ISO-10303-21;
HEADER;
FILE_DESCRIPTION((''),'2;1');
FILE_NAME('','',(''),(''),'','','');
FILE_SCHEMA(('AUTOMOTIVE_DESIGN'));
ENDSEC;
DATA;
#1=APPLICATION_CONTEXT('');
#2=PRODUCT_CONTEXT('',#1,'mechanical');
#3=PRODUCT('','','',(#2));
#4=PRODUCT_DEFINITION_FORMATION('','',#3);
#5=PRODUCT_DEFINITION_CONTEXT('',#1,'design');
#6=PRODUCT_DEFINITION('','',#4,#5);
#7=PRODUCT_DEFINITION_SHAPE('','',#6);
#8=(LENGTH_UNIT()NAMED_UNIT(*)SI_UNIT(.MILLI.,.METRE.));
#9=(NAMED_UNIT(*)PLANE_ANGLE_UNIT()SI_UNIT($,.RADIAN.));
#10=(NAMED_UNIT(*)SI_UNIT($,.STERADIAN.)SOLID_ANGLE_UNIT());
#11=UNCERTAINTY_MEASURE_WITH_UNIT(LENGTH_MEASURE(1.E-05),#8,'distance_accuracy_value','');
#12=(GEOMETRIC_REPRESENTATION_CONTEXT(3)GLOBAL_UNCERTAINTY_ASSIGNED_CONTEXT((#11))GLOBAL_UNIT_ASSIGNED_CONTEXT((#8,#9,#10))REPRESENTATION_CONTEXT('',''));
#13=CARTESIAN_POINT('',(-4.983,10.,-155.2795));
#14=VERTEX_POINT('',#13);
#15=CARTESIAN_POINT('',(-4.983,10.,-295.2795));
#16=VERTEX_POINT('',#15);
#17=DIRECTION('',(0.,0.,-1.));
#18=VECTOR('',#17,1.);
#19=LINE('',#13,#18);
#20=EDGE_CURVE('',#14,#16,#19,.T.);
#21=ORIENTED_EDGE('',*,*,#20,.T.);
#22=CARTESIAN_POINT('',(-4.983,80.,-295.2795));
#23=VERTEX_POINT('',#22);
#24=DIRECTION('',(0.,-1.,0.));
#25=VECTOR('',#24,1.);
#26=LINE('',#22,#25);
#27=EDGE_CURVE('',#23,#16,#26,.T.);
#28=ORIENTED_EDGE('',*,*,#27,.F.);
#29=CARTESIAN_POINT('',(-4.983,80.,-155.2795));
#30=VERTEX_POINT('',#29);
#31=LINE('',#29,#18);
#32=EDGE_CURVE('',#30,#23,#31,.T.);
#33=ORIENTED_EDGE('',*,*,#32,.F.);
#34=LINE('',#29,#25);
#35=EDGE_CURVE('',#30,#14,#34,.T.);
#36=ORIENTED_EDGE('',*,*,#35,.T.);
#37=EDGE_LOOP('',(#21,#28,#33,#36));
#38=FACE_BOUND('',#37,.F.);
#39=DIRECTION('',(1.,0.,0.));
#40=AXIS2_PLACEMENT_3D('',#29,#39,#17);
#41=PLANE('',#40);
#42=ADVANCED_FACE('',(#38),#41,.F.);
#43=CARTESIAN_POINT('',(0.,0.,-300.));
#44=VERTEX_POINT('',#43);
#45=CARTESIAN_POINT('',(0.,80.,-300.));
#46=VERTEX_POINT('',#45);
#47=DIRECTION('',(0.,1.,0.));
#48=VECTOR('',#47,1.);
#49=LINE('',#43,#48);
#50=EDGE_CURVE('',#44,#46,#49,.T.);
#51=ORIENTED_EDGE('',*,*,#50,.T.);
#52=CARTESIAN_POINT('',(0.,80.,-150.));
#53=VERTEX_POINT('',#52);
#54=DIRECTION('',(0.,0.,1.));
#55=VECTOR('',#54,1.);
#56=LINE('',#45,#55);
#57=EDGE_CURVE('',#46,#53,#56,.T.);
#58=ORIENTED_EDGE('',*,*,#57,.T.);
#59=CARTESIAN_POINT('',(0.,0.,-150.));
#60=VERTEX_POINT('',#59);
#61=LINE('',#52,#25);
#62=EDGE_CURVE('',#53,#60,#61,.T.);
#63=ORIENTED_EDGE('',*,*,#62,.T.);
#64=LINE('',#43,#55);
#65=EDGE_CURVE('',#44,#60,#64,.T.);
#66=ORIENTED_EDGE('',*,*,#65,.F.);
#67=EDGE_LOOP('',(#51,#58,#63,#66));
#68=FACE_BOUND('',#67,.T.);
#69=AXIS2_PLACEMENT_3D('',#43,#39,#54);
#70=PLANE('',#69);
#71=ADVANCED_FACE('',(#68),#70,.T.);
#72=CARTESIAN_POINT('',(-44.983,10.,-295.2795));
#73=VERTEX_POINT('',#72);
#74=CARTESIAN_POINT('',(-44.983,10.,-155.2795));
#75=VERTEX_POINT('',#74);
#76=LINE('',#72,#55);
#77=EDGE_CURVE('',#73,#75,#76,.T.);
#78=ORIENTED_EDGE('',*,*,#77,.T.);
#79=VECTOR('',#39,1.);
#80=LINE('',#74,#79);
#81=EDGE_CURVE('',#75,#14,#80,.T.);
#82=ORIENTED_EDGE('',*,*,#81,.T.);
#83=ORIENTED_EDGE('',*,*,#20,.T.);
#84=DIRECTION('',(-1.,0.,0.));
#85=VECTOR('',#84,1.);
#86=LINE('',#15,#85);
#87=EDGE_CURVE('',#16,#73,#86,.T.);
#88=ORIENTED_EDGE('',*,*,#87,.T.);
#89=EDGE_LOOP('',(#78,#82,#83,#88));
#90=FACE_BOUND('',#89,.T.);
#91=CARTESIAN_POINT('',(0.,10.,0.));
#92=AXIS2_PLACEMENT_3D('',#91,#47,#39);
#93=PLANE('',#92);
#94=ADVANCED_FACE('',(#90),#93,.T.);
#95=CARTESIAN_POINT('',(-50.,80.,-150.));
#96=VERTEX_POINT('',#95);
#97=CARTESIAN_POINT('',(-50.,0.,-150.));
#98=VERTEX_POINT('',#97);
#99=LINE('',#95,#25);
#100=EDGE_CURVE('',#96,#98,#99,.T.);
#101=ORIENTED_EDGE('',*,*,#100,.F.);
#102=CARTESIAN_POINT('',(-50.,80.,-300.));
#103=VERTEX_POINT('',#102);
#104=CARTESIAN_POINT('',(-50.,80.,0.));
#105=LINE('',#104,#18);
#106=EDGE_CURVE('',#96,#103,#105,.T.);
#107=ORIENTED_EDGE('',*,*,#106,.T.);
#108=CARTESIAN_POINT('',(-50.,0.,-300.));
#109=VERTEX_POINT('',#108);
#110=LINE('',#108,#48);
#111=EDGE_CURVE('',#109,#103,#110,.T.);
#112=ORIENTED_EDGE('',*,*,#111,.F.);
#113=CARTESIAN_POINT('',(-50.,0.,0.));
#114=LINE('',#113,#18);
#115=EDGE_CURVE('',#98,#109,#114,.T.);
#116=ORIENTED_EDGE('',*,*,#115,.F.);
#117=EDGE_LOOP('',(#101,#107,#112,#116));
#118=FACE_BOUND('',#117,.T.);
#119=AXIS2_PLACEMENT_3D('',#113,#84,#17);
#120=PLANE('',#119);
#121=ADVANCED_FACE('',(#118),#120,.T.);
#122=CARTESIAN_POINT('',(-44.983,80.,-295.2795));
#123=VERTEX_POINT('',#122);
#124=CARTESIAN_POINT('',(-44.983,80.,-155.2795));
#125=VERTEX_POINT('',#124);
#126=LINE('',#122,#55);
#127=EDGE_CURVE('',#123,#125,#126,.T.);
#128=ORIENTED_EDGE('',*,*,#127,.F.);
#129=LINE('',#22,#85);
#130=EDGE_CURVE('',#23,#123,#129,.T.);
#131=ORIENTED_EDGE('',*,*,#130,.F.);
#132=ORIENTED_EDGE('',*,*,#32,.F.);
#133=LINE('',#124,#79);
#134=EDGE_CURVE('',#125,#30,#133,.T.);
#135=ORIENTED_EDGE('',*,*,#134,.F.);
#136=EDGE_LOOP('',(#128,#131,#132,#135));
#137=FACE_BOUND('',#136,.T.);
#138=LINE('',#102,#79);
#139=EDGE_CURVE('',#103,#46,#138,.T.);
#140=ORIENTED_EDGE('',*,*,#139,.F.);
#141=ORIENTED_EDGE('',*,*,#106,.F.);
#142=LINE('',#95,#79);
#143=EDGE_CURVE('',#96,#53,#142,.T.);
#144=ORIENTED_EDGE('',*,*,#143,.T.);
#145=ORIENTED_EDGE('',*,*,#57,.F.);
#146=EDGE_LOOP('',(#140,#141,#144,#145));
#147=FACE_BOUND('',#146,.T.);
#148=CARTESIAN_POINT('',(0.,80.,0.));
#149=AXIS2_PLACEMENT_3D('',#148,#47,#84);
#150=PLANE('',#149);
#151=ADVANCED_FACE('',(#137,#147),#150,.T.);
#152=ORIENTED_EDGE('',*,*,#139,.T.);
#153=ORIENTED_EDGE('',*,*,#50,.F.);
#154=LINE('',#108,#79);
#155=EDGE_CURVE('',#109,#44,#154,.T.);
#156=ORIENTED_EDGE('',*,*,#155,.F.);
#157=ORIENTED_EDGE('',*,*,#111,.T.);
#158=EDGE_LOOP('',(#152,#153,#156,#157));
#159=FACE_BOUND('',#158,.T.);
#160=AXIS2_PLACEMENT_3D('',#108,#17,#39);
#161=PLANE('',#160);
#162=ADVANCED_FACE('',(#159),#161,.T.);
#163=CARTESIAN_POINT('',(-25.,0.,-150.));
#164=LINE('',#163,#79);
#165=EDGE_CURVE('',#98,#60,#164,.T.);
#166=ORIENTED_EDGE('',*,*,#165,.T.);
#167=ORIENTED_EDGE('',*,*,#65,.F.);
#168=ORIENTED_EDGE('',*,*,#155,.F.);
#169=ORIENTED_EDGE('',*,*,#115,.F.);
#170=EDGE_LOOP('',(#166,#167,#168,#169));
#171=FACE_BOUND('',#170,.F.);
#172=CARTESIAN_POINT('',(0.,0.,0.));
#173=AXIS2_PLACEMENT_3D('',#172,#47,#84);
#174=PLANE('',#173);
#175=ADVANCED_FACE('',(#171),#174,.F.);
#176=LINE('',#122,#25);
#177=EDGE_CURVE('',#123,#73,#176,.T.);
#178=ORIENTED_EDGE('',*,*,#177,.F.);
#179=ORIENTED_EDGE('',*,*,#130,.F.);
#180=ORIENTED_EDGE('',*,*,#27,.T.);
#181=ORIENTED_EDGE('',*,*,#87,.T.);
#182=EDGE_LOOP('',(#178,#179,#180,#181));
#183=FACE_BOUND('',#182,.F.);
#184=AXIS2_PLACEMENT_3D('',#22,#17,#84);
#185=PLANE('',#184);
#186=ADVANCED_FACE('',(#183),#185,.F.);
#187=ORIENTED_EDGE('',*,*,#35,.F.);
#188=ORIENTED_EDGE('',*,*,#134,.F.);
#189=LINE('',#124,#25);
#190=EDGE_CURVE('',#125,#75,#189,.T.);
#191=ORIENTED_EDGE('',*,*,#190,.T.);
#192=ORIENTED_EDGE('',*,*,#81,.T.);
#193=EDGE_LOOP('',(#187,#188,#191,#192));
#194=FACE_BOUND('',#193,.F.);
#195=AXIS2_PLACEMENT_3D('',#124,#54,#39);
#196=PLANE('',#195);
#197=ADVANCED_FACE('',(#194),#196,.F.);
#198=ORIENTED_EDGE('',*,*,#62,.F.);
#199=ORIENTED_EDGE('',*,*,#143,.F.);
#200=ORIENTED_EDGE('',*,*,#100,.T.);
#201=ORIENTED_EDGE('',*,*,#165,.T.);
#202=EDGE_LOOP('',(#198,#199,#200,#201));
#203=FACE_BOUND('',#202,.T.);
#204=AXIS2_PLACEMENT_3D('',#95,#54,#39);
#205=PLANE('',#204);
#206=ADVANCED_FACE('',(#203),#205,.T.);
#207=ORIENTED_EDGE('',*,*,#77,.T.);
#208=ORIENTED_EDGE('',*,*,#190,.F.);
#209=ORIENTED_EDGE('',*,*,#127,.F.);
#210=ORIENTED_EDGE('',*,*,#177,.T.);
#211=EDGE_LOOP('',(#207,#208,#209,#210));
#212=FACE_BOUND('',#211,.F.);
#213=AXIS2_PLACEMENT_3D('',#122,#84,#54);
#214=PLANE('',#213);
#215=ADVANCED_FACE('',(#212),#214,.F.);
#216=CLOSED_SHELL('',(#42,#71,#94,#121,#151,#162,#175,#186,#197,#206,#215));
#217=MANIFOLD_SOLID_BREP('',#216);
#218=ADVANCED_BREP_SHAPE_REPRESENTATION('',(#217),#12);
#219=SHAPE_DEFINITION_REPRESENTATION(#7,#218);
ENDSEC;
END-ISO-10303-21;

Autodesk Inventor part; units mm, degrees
ref_plane "YZ Plane" through (0, 0, 0) normal (1, 0, 0) x (0, 1, 0)
ref_plane "XZ Plane" through (0, 0, 0) normal (0, 1, 0) x (-1, 0, 0)
ref_plane "XY Plane" through (0, 0, 0) normal (0, 0, 1) x (1, 0, 0)
sketch "Sketch1" plane through (0, 0, 0) normal (0, 1, 0) x (-1, 0, 0)
  line L0 (0, 0) -> (50, 0)
  line L1 (50, 0) -> (50, -300)
  line L2 (50, -300) -> (0, -300)
  line L3 (0, -300) -> (0, 0)
  dimension "d0" = 50
  dimension "d1" = 300
extrude "Extrusion1" add sketch "Sketch1" along normal blind 80
sketch "Sketch2" plane through (0, 80, 0) normal (0, 1, 0) x (1, 0, 0)
  line L0 (0, 0) -> (-50, 0)
  line L1 (-50, 0) -> (-50, 150)
  line L2 (-50, 150) -> (0, 150)
  line L3 (0, 150) -> (0, 0)
  dimension "d4" = 50
  dimension "d5" = 150
extrude "Extrusion2" cut sketch "Sketch2" against normal blind 100
sketch "Sketch3" plane through (0, 80, 0) normal (0, 1, 0) x (1, 0, 0)
  line L0 (-44.983, 155.2795) -> (-4.983, 155.2795)
  line L1 (-4.983, 155.2795) -> (-4.983, 295.2795)
  line L2 (-4.983, 295.2795) -> (-44.983, 295.2795)
  line L3 (-44.983, 295.2795) -> (-44.983, 155.2795)
  point P0 (0, 0)
  dimension "d8" = 40
  dimension "d9" = 140
extrude "Extrusion3" cut sketch "Sketch3" against normal blind 70
properties part number "storebox2"
